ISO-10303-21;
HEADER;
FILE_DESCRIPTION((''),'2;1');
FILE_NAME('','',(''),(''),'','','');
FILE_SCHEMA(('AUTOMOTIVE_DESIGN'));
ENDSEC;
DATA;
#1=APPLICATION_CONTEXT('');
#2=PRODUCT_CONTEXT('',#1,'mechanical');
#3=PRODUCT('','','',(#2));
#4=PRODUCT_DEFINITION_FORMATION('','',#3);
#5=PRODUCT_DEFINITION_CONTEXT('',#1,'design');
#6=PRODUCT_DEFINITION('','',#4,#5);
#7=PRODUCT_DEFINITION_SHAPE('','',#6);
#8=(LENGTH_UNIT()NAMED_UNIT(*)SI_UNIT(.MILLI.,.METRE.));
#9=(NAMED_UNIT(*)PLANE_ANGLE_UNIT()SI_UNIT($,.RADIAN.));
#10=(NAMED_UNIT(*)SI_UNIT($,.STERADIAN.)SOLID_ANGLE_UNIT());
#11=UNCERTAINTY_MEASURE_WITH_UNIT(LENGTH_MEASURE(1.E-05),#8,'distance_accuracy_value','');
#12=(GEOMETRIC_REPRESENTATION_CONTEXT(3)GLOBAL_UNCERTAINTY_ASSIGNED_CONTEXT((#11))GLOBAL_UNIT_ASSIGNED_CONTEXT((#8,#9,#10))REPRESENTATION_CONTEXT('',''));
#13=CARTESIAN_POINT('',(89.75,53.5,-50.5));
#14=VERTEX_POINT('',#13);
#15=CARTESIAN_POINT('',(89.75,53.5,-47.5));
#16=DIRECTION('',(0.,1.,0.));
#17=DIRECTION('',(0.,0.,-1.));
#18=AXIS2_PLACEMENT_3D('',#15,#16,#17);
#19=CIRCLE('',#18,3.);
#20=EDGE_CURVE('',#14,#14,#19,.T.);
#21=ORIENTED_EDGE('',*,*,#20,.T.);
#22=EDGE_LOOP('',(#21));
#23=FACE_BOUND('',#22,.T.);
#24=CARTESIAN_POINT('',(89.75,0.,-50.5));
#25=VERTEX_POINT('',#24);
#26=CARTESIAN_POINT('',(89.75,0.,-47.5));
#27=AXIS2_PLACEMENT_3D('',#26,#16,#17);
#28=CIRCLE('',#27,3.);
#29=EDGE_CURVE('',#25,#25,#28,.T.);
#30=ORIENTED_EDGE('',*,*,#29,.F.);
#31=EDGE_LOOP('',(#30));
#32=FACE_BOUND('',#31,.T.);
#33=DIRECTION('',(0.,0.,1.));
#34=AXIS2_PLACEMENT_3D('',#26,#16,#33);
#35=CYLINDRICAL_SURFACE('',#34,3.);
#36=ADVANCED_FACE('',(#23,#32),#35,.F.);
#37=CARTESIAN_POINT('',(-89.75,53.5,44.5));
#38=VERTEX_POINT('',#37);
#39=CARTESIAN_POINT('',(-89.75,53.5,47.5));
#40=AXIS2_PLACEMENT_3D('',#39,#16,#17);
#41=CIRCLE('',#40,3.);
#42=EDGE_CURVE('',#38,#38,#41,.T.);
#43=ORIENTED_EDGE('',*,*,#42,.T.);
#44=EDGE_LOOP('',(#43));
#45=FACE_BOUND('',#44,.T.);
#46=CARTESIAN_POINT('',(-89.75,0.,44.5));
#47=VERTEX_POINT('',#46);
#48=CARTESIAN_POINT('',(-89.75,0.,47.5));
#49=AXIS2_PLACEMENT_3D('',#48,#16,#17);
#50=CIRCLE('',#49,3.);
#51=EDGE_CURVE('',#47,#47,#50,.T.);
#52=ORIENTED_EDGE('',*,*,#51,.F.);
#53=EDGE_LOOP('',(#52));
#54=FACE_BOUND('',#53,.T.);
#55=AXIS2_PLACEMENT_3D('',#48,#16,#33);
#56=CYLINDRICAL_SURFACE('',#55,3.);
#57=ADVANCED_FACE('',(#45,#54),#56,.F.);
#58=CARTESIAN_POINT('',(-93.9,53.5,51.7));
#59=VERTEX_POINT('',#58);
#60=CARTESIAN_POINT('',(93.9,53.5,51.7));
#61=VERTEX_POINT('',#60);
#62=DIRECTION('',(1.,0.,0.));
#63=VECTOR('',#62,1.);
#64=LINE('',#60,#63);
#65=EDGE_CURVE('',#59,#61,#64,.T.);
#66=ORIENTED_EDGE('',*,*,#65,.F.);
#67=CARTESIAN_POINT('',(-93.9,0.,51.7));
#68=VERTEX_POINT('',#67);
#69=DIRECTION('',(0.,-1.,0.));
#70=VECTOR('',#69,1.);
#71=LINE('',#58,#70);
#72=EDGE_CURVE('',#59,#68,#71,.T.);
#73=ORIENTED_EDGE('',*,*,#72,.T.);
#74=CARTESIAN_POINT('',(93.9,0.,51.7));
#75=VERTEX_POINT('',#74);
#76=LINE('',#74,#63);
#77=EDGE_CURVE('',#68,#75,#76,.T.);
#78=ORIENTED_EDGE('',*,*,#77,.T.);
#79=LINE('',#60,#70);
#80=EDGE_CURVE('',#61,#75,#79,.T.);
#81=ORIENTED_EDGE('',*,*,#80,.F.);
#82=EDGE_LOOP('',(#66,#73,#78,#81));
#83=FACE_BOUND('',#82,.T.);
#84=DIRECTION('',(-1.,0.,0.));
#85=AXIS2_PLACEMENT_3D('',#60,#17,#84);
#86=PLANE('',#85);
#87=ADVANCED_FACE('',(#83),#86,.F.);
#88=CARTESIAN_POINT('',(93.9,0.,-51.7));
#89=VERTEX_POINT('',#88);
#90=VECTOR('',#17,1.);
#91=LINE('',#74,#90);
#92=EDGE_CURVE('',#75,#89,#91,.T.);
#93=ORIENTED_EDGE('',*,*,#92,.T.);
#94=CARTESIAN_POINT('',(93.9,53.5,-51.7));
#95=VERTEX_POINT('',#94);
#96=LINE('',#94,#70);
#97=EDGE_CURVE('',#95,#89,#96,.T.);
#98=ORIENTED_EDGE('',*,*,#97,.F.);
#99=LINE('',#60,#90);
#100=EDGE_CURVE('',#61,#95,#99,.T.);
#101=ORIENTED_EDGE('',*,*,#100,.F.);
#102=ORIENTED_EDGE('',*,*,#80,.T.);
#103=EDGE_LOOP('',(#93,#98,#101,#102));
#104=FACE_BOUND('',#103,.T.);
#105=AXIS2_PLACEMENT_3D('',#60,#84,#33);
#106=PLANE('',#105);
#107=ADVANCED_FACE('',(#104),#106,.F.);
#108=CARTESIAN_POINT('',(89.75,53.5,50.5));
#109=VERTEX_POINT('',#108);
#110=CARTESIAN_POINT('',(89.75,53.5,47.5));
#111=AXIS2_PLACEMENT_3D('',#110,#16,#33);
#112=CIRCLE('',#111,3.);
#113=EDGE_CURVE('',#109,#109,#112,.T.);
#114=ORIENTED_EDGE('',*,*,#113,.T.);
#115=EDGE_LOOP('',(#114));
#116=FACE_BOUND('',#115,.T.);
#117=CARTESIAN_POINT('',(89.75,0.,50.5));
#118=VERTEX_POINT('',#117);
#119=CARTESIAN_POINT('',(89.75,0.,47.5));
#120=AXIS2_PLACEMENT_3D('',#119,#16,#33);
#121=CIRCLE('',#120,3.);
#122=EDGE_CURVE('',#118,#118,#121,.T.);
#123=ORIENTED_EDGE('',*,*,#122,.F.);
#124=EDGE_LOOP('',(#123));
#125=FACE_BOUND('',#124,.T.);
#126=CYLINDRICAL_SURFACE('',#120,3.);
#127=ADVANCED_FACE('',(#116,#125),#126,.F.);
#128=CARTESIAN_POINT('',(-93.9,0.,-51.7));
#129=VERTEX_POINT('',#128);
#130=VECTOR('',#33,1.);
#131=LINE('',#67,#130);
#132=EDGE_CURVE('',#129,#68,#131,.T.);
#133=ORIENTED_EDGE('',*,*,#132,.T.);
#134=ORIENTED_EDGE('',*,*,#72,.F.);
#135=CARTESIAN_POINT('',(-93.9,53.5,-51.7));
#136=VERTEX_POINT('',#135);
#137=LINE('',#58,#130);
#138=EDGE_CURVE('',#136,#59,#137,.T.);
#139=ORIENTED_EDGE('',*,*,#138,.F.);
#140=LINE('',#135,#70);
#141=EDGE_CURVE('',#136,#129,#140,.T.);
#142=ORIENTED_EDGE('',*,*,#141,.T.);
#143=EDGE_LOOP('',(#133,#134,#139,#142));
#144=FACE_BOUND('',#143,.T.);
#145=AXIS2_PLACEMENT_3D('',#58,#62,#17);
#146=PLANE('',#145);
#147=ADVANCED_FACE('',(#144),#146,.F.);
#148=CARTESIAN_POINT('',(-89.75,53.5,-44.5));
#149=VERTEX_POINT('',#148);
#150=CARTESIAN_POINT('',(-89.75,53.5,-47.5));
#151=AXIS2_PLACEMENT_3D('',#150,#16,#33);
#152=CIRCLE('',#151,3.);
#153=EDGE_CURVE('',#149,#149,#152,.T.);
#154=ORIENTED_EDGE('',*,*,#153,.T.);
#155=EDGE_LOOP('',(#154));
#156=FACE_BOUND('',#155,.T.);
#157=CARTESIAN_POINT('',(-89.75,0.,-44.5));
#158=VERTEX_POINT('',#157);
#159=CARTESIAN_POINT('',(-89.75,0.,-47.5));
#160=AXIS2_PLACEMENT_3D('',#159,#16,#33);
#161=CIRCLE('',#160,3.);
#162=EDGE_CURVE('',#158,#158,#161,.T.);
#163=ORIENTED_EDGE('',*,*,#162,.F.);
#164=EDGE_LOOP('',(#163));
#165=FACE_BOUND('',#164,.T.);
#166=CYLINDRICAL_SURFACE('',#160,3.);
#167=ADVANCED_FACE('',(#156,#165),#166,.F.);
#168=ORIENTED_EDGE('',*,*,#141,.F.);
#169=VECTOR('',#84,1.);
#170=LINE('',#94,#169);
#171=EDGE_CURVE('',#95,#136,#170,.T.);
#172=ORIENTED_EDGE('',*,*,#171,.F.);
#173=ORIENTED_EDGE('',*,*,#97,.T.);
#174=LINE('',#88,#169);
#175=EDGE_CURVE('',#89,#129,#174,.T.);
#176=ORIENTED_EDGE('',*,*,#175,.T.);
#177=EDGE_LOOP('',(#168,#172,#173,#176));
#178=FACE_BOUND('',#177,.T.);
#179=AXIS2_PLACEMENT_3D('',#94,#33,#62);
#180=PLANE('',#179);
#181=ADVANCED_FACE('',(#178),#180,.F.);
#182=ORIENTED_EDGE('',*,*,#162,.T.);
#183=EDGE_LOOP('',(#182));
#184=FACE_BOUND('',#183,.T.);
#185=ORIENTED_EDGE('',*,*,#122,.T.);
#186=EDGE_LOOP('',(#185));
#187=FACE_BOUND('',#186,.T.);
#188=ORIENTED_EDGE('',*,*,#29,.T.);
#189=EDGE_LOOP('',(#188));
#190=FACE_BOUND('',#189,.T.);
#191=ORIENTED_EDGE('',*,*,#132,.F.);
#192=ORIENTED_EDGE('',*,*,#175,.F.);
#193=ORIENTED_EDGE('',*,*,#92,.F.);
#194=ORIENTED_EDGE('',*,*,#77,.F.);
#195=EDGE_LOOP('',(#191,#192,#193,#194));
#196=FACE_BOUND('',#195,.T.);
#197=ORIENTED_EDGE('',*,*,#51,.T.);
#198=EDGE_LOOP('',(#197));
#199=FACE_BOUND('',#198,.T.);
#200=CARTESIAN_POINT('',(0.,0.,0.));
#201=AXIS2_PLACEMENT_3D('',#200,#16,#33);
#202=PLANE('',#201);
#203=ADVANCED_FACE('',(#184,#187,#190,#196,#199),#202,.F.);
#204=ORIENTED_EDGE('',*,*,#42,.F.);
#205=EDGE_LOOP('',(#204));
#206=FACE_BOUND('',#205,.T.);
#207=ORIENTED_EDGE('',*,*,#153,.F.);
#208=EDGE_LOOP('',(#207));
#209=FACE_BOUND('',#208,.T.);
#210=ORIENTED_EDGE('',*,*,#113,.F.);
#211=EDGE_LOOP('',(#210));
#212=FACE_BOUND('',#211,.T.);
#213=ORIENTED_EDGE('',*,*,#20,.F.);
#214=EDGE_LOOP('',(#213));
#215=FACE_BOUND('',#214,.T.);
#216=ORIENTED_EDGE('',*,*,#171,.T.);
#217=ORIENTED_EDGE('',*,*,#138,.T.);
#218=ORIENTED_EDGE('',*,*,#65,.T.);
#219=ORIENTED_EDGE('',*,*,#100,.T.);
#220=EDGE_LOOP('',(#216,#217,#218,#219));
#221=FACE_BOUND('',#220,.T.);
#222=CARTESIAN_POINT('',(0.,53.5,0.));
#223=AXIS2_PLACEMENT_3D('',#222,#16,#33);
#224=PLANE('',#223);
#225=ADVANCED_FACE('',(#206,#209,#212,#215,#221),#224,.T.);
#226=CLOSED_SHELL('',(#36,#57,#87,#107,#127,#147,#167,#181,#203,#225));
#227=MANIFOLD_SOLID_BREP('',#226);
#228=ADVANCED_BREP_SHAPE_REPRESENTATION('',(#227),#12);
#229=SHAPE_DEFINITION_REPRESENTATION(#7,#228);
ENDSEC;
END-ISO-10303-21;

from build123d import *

# Parameters (mm, degrees)
SKETCH_1_W          = 187.8
SKETCH_1_H          = 103.4
EXTRUDE_1_DEPTH     = 53.5
SKETCH_2_R          = 3
CUT_EXTRUDE_1_DEPTH = 120.801293816


with BuildPart() as part:
    # Эскиз1 → Бобышка-Вытянуть1 (new body)
    with BuildSketch(Plane(origin=(0, 0, 0), x_dir=(1, 0, 0), z_dir=(0, 1, 0))):
        Rectangle(SKETCH_1_W, SKETCH_1_H)
    extrude(amount=EXTRUDE_1_DEPTH)

    # Эскиз2 → Вырез-Вытянуть1 (cut, through all)
    with BuildSketch(Plane(origin=(0, 53.5, 0), x_dir=(1, 0, 0), z_dir=(0, 1, 0))):
        with Locations(Location((-89.75, 47.5, 0), (0, 0, 270))):
            Circle(SKETCH_2_R)
        with Locations(Location((89.75, 47.5, 0), (0, 0, 90))):
            Circle(SKETCH_2_R)
        with Locations(Location((89.75, -47.5, 0), (0, 0, 270))):
            Circle(SKETCH_2_R)
        with Locations(Location((-89.75, -47.5, 0), (0, 0, 90))):
            Circle(SKETCH_2_R)
    extrude(amount=-CUT_EXTRUDE_1_DEPTH, mode=Mode.SUBTRACT)


solid = part.part
